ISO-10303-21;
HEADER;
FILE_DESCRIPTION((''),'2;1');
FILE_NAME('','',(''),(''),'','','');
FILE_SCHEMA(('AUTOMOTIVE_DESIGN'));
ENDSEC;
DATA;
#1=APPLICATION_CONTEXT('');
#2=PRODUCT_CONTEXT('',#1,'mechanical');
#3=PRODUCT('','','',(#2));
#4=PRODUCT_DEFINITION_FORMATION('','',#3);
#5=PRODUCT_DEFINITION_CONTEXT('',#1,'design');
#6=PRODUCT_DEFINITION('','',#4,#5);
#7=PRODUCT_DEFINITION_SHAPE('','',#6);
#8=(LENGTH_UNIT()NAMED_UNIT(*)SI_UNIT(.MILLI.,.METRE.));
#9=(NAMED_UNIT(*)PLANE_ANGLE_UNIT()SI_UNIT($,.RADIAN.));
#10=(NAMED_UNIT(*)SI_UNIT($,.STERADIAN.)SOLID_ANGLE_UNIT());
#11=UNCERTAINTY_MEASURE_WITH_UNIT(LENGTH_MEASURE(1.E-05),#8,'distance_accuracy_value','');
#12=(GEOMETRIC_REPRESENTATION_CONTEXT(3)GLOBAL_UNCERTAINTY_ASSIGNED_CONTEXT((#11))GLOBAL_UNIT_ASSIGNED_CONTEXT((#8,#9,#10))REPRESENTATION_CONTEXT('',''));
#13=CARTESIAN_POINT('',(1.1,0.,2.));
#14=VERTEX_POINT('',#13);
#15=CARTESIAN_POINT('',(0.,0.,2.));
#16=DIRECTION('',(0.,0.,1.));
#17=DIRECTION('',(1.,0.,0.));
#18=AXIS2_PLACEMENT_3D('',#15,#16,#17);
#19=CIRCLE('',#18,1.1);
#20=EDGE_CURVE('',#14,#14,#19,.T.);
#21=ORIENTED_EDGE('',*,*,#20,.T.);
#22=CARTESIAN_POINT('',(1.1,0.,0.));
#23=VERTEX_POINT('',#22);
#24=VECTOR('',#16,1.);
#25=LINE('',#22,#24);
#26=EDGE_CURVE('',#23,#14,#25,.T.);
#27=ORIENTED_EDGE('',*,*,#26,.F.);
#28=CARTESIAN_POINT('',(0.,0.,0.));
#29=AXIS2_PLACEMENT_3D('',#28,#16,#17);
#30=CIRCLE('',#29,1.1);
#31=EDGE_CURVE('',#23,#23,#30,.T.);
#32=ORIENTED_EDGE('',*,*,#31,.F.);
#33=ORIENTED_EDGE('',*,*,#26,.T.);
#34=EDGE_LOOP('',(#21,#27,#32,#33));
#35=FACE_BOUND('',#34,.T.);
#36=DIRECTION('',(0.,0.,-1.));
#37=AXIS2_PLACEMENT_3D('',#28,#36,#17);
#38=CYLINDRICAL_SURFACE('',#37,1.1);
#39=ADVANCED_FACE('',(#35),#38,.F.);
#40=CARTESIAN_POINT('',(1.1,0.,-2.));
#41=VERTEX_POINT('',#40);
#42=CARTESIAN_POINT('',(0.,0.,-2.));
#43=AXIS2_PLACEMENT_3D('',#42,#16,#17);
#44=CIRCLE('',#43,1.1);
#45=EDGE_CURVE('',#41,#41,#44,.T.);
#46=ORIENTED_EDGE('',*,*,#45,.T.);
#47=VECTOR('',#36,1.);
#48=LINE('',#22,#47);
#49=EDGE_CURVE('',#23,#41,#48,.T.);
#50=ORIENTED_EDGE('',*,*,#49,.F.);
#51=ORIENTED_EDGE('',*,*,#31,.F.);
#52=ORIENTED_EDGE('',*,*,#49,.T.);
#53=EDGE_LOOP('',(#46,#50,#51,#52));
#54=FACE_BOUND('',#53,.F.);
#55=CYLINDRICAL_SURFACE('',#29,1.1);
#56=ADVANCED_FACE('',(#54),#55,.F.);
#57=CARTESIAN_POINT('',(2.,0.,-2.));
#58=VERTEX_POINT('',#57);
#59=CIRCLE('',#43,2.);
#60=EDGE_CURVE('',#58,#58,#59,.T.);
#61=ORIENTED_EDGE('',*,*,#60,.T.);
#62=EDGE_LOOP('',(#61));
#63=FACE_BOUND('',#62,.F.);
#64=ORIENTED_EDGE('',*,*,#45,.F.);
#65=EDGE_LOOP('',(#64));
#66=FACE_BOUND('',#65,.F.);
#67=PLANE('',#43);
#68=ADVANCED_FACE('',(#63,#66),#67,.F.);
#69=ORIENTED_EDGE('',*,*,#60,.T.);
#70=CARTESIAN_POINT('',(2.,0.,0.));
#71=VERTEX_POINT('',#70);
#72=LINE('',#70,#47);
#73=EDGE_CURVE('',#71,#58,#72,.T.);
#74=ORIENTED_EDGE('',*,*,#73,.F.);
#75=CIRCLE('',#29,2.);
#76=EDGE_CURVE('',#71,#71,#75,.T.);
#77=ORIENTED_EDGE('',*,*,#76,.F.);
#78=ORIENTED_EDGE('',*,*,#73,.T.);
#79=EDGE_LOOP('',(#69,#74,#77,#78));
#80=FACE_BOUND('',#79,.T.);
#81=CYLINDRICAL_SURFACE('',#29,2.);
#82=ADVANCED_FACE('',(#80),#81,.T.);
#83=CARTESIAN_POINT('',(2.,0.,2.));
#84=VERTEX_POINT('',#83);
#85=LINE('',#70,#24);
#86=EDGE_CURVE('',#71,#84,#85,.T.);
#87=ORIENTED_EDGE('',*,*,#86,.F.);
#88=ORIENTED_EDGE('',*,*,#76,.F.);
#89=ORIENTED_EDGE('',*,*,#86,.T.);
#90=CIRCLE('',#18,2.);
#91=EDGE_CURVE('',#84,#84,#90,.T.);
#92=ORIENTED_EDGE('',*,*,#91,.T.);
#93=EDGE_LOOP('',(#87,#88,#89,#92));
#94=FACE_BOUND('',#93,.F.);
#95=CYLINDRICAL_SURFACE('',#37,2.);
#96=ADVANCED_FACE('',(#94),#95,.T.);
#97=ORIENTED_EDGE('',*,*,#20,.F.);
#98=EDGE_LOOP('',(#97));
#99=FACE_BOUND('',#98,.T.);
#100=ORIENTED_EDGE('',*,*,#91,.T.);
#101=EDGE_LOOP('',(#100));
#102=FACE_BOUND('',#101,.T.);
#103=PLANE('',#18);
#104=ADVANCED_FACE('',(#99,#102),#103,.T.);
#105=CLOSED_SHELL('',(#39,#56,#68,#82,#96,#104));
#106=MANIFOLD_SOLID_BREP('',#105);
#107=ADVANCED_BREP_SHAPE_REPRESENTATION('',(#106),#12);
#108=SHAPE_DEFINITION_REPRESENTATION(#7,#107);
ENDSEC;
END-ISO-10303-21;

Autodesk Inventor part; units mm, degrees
ref_plane "YZ Plane" through (0, 0, 0) normal (1, 0, 0) x (0, 1, 0)
ref_plane "XZ Plane" through (0, 0, 0) normal (0, 1, 0) x (-1, 0, 0)
ref_plane "XY Plane" through (0, 0, 0) normal (0, 0, 1) x (1, 0, 0)
sketch "スケッチ1" plane through (0, 0, 0) normal (0, 0, 1) x (1, 0, 0)
  circle A0 centre (0, 0) radius 2
  circle A1 centre (0, 0) radius 1.1
  dimension "d0" = 4
  dimension "d1" = 2.2
extrude "押し出し1" add sketch "スケッチ1" along normal mid plane 4
properties part number "Spacer_4x2x4"
